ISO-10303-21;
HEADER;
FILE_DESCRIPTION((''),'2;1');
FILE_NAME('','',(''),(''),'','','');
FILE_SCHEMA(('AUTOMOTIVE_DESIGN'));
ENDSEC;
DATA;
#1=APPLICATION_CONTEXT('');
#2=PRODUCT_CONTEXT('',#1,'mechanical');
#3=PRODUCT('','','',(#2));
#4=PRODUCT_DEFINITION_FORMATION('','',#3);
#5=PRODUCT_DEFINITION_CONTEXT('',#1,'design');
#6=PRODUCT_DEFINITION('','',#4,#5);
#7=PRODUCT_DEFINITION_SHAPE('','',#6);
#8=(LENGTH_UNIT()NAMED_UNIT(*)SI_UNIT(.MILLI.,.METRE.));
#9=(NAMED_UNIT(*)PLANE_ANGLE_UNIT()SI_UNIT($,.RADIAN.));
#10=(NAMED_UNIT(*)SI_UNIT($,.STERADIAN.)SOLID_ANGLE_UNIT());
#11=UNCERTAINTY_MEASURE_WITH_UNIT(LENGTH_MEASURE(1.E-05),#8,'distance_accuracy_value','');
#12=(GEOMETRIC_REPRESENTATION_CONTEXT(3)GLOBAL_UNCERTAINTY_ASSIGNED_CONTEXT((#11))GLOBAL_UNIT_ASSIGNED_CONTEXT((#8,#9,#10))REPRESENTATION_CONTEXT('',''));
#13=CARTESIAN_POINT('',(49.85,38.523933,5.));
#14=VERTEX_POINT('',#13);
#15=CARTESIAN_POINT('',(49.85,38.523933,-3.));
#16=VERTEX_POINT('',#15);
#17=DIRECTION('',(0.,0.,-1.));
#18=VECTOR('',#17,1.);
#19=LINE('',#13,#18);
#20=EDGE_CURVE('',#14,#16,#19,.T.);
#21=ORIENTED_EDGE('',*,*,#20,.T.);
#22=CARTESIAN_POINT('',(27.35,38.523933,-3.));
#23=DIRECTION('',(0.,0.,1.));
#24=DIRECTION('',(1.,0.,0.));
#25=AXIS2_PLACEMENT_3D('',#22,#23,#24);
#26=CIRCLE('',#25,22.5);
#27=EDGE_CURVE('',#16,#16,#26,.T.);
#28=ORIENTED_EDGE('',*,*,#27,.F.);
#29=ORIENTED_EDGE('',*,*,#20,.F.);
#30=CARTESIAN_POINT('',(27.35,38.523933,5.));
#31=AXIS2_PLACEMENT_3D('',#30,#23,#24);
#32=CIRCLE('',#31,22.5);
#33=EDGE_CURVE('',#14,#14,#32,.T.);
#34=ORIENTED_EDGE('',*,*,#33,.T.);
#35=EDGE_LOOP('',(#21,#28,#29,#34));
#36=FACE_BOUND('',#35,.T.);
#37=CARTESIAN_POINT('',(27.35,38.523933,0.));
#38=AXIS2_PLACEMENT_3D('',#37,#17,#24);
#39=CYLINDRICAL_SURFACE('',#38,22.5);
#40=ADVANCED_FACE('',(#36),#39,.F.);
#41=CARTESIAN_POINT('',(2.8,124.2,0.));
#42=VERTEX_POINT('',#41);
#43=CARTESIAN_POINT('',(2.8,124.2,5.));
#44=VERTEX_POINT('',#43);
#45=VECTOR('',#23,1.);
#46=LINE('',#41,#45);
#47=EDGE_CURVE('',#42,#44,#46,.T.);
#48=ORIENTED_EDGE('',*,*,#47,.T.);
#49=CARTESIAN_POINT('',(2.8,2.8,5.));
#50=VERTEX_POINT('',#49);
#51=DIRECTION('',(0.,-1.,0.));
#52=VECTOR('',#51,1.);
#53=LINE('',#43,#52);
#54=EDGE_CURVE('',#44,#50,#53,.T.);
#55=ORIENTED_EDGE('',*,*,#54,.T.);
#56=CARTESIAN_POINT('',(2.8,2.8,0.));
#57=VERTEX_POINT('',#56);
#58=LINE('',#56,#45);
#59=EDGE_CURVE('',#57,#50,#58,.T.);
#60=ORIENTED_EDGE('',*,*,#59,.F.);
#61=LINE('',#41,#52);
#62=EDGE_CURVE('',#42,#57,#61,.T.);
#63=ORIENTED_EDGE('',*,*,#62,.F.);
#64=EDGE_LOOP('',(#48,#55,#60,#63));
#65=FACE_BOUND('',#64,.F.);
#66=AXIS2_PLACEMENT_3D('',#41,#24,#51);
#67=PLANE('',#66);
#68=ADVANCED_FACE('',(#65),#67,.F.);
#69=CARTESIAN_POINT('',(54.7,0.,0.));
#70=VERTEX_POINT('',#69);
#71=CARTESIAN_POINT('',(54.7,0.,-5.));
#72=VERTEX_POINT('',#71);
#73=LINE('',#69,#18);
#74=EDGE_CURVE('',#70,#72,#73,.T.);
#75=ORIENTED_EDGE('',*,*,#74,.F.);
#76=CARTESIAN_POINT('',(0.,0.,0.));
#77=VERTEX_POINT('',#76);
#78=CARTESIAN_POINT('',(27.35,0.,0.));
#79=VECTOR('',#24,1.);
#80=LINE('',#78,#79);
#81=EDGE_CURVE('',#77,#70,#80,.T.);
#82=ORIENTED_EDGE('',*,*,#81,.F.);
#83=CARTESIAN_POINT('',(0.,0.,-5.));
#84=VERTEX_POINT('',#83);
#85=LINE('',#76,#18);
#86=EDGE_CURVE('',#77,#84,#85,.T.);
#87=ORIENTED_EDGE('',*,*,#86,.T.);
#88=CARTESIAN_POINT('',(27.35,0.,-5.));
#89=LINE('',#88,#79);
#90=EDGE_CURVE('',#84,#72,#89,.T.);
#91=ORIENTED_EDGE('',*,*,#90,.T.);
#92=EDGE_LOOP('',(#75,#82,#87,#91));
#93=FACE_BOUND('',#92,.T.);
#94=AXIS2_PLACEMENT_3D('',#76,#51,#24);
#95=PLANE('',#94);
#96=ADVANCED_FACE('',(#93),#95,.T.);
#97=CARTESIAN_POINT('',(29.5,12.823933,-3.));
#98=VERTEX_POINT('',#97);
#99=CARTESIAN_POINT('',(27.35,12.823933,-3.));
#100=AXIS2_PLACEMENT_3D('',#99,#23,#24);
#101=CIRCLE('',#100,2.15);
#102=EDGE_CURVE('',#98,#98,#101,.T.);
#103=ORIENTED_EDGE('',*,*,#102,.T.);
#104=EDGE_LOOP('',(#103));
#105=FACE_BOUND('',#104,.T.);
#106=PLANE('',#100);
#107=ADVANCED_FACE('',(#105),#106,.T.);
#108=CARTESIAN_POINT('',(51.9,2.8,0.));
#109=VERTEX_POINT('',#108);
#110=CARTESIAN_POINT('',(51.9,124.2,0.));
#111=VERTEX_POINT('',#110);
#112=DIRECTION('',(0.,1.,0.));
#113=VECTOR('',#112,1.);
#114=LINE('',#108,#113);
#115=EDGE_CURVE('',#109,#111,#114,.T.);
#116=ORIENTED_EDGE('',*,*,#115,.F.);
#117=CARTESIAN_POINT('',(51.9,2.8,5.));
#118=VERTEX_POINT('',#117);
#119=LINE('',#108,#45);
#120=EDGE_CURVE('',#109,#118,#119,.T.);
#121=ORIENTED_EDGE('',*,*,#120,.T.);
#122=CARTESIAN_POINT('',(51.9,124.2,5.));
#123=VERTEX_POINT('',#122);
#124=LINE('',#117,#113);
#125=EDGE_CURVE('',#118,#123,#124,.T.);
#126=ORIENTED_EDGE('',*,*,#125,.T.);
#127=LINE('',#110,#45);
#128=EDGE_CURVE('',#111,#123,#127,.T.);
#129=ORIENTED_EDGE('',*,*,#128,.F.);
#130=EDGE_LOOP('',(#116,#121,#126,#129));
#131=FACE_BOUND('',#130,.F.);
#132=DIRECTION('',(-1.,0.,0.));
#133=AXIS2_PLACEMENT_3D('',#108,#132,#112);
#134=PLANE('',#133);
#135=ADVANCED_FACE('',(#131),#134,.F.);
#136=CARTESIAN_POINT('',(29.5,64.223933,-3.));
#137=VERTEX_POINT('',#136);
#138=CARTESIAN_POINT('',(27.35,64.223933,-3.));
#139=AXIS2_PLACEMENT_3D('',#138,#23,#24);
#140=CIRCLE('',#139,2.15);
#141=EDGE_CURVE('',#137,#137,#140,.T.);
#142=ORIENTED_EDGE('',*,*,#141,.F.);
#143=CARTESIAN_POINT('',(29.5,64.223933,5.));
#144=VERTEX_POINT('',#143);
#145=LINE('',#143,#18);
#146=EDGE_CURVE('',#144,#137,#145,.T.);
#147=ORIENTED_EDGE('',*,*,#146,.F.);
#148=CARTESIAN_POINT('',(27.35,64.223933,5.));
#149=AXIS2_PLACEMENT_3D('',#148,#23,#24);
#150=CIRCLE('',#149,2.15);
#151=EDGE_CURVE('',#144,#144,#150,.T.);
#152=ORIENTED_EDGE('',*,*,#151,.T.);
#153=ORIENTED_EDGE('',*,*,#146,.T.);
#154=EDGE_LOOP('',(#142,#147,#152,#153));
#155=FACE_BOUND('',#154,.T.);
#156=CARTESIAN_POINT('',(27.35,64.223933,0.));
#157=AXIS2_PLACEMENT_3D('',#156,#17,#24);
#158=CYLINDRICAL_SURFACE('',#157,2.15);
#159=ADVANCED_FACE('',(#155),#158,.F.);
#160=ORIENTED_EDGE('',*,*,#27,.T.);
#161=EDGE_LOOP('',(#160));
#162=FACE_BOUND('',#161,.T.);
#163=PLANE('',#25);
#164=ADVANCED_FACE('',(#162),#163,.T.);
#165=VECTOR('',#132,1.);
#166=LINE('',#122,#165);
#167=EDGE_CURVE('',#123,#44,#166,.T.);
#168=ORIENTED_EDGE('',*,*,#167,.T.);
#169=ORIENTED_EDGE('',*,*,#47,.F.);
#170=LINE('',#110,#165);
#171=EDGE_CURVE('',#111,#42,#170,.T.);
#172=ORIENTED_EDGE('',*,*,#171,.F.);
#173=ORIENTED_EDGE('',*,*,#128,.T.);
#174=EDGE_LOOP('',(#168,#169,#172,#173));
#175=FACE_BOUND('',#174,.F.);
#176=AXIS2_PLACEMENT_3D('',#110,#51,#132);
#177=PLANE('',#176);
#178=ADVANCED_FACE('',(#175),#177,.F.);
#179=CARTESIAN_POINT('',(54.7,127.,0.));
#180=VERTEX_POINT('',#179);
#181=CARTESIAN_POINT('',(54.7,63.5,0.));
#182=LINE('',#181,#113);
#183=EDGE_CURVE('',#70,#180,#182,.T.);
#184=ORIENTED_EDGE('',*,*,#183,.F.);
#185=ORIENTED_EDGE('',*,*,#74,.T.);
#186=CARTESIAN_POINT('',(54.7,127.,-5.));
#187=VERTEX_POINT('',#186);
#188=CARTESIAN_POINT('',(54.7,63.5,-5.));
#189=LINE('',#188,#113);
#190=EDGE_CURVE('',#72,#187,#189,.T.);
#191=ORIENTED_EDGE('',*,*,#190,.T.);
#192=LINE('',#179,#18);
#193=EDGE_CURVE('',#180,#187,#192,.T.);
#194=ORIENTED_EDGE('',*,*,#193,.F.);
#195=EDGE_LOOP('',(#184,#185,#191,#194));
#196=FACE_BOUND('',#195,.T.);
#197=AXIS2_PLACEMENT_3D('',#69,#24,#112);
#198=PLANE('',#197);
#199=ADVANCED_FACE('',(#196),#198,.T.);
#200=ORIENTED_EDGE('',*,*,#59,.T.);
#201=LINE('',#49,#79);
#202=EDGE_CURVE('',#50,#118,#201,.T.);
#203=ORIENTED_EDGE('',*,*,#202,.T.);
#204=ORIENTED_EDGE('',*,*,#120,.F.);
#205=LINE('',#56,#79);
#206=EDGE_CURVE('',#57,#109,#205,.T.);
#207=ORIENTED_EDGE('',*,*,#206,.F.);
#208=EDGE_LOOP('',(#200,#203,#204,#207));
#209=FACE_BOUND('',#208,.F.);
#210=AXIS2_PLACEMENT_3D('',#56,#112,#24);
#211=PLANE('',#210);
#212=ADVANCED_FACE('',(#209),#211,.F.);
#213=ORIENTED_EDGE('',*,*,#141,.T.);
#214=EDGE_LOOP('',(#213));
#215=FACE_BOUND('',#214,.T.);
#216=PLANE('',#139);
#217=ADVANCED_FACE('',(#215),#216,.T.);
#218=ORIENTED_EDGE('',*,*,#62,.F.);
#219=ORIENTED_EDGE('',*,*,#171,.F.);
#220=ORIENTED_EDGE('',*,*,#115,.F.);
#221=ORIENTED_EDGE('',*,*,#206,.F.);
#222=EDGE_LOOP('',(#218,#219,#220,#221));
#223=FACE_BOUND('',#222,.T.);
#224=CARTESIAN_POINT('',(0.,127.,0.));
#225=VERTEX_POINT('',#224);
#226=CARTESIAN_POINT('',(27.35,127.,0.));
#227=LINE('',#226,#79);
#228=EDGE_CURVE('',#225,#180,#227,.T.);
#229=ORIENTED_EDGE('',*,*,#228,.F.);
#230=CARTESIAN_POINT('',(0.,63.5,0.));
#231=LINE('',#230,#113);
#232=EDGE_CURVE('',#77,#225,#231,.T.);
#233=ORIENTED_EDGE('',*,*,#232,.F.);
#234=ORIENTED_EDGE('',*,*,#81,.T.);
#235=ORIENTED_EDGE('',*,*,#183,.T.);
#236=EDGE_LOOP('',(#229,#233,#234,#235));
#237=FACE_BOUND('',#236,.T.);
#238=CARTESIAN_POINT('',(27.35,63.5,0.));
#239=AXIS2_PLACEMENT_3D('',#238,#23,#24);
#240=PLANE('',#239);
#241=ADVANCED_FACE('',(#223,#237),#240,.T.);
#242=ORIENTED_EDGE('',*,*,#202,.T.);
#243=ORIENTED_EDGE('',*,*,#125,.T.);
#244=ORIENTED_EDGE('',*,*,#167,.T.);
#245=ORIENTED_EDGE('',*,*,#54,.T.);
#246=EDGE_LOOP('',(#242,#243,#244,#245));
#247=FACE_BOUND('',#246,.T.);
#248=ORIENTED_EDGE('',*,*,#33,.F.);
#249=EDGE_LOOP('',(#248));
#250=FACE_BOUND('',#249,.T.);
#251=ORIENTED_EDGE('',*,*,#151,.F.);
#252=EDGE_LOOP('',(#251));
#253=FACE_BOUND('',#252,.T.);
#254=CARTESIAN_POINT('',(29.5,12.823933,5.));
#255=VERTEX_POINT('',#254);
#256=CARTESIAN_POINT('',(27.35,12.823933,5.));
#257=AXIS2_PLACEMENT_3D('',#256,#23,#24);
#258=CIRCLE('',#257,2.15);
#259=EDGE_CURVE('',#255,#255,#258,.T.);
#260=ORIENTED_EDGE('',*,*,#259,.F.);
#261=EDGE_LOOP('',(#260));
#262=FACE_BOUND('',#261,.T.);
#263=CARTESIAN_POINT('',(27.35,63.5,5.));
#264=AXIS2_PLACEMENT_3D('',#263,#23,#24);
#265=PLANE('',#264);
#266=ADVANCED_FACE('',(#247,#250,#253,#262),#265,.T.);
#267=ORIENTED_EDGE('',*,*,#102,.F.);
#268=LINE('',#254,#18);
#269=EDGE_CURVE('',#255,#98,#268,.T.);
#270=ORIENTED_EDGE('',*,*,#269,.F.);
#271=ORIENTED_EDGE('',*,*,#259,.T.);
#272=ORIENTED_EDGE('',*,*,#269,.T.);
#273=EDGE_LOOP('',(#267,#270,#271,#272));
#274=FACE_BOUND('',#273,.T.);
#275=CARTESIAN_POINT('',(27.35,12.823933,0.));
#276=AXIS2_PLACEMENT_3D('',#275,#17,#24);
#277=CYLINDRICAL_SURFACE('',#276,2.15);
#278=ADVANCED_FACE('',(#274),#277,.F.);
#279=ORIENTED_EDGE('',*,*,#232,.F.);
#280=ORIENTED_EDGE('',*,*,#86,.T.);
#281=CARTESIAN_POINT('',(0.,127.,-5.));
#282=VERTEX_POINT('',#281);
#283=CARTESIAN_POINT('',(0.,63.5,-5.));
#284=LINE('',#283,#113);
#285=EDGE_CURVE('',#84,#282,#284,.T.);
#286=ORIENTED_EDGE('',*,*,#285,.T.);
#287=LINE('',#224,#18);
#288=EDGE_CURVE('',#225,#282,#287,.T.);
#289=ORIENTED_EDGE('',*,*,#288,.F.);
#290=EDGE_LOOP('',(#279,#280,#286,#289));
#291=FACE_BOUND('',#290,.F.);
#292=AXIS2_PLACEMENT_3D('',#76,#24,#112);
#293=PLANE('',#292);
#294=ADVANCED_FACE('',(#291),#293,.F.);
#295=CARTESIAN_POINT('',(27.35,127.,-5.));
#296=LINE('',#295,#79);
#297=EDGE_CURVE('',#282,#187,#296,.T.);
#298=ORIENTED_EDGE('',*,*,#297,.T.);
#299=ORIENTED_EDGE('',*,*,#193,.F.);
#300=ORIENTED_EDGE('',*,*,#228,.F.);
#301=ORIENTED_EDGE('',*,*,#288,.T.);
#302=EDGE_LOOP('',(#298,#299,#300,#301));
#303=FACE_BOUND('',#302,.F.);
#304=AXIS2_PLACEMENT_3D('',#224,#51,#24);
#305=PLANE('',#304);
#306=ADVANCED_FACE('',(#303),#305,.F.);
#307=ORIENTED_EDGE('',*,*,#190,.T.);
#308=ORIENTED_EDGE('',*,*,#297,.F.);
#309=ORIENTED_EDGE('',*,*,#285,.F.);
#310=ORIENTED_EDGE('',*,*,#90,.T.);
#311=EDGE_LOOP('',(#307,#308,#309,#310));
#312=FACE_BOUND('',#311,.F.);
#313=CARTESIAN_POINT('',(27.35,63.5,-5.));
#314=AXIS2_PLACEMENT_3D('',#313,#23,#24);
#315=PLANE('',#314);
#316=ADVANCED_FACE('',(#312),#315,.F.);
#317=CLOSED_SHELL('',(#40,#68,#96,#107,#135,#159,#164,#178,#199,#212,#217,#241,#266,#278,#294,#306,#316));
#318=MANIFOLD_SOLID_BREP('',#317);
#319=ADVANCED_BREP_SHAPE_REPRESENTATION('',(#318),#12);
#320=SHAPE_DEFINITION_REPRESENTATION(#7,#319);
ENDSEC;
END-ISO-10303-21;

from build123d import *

# Parameters (mm, degrees)
SKETCH_W      = 54.7
SKETCH_H      = 127
PAD_DEPTH     = 5
SKETCH001_R   = 2.15
SKETCH001_R_2 = 22.5
PAD001_DEPTH  = 5
SKETCH002_R   = 2.15
SKETCH002_R_2 = 22.5
POCKET_DEPTH  = 3


with BuildPart() as part:
    # Sketch → Pad (new body)
    with BuildSketch(Plane.XY):
        with Locations((27.35, 63.5)):
            Rectangle(SKETCH_W, SKETCH_H)
    extrude(amount=-PAD_DEPTH)

    # Sketch001 → Pad001 (join)
    with BuildSketch(Plane.XY):
        Polygon((2.8, 2.8), (51.9, 2.8), (51.9, 74.2), (51.9, 124.2), (2.8, 124.2), (2.8, 74.2), align=None)
        with Locations((27.35, 12.823933)):
            Circle(SKETCH001_R, mode=Mode.SUBTRACT)
        with Locations((27.35, 64.223933)):
            Circle(SKETCH001_R, mode=Mode.SUBTRACT)
        with Locations((27.35, 38.523933)):
            Circle(SKETCH001_R_2, mode=Mode.SUBTRACT)
    extrude(amount=PAD001_DEPTH)

    # Sketch002 → Pocket (cut)
    with BuildSketch(Plane.XY):
        with Locations((27.35, 12.823933)):
            Circle(SKETCH002_R)
        with Locations((27.35, 64.223933)):
            Circle(SKETCH002_R)
        with Locations((27.35, 38.523933)):
            Circle(SKETCH002_R_2)
    extrude(amount=-POCKET_DEPTH, mode=Mode.SUBTRACT)


solid = part.part
